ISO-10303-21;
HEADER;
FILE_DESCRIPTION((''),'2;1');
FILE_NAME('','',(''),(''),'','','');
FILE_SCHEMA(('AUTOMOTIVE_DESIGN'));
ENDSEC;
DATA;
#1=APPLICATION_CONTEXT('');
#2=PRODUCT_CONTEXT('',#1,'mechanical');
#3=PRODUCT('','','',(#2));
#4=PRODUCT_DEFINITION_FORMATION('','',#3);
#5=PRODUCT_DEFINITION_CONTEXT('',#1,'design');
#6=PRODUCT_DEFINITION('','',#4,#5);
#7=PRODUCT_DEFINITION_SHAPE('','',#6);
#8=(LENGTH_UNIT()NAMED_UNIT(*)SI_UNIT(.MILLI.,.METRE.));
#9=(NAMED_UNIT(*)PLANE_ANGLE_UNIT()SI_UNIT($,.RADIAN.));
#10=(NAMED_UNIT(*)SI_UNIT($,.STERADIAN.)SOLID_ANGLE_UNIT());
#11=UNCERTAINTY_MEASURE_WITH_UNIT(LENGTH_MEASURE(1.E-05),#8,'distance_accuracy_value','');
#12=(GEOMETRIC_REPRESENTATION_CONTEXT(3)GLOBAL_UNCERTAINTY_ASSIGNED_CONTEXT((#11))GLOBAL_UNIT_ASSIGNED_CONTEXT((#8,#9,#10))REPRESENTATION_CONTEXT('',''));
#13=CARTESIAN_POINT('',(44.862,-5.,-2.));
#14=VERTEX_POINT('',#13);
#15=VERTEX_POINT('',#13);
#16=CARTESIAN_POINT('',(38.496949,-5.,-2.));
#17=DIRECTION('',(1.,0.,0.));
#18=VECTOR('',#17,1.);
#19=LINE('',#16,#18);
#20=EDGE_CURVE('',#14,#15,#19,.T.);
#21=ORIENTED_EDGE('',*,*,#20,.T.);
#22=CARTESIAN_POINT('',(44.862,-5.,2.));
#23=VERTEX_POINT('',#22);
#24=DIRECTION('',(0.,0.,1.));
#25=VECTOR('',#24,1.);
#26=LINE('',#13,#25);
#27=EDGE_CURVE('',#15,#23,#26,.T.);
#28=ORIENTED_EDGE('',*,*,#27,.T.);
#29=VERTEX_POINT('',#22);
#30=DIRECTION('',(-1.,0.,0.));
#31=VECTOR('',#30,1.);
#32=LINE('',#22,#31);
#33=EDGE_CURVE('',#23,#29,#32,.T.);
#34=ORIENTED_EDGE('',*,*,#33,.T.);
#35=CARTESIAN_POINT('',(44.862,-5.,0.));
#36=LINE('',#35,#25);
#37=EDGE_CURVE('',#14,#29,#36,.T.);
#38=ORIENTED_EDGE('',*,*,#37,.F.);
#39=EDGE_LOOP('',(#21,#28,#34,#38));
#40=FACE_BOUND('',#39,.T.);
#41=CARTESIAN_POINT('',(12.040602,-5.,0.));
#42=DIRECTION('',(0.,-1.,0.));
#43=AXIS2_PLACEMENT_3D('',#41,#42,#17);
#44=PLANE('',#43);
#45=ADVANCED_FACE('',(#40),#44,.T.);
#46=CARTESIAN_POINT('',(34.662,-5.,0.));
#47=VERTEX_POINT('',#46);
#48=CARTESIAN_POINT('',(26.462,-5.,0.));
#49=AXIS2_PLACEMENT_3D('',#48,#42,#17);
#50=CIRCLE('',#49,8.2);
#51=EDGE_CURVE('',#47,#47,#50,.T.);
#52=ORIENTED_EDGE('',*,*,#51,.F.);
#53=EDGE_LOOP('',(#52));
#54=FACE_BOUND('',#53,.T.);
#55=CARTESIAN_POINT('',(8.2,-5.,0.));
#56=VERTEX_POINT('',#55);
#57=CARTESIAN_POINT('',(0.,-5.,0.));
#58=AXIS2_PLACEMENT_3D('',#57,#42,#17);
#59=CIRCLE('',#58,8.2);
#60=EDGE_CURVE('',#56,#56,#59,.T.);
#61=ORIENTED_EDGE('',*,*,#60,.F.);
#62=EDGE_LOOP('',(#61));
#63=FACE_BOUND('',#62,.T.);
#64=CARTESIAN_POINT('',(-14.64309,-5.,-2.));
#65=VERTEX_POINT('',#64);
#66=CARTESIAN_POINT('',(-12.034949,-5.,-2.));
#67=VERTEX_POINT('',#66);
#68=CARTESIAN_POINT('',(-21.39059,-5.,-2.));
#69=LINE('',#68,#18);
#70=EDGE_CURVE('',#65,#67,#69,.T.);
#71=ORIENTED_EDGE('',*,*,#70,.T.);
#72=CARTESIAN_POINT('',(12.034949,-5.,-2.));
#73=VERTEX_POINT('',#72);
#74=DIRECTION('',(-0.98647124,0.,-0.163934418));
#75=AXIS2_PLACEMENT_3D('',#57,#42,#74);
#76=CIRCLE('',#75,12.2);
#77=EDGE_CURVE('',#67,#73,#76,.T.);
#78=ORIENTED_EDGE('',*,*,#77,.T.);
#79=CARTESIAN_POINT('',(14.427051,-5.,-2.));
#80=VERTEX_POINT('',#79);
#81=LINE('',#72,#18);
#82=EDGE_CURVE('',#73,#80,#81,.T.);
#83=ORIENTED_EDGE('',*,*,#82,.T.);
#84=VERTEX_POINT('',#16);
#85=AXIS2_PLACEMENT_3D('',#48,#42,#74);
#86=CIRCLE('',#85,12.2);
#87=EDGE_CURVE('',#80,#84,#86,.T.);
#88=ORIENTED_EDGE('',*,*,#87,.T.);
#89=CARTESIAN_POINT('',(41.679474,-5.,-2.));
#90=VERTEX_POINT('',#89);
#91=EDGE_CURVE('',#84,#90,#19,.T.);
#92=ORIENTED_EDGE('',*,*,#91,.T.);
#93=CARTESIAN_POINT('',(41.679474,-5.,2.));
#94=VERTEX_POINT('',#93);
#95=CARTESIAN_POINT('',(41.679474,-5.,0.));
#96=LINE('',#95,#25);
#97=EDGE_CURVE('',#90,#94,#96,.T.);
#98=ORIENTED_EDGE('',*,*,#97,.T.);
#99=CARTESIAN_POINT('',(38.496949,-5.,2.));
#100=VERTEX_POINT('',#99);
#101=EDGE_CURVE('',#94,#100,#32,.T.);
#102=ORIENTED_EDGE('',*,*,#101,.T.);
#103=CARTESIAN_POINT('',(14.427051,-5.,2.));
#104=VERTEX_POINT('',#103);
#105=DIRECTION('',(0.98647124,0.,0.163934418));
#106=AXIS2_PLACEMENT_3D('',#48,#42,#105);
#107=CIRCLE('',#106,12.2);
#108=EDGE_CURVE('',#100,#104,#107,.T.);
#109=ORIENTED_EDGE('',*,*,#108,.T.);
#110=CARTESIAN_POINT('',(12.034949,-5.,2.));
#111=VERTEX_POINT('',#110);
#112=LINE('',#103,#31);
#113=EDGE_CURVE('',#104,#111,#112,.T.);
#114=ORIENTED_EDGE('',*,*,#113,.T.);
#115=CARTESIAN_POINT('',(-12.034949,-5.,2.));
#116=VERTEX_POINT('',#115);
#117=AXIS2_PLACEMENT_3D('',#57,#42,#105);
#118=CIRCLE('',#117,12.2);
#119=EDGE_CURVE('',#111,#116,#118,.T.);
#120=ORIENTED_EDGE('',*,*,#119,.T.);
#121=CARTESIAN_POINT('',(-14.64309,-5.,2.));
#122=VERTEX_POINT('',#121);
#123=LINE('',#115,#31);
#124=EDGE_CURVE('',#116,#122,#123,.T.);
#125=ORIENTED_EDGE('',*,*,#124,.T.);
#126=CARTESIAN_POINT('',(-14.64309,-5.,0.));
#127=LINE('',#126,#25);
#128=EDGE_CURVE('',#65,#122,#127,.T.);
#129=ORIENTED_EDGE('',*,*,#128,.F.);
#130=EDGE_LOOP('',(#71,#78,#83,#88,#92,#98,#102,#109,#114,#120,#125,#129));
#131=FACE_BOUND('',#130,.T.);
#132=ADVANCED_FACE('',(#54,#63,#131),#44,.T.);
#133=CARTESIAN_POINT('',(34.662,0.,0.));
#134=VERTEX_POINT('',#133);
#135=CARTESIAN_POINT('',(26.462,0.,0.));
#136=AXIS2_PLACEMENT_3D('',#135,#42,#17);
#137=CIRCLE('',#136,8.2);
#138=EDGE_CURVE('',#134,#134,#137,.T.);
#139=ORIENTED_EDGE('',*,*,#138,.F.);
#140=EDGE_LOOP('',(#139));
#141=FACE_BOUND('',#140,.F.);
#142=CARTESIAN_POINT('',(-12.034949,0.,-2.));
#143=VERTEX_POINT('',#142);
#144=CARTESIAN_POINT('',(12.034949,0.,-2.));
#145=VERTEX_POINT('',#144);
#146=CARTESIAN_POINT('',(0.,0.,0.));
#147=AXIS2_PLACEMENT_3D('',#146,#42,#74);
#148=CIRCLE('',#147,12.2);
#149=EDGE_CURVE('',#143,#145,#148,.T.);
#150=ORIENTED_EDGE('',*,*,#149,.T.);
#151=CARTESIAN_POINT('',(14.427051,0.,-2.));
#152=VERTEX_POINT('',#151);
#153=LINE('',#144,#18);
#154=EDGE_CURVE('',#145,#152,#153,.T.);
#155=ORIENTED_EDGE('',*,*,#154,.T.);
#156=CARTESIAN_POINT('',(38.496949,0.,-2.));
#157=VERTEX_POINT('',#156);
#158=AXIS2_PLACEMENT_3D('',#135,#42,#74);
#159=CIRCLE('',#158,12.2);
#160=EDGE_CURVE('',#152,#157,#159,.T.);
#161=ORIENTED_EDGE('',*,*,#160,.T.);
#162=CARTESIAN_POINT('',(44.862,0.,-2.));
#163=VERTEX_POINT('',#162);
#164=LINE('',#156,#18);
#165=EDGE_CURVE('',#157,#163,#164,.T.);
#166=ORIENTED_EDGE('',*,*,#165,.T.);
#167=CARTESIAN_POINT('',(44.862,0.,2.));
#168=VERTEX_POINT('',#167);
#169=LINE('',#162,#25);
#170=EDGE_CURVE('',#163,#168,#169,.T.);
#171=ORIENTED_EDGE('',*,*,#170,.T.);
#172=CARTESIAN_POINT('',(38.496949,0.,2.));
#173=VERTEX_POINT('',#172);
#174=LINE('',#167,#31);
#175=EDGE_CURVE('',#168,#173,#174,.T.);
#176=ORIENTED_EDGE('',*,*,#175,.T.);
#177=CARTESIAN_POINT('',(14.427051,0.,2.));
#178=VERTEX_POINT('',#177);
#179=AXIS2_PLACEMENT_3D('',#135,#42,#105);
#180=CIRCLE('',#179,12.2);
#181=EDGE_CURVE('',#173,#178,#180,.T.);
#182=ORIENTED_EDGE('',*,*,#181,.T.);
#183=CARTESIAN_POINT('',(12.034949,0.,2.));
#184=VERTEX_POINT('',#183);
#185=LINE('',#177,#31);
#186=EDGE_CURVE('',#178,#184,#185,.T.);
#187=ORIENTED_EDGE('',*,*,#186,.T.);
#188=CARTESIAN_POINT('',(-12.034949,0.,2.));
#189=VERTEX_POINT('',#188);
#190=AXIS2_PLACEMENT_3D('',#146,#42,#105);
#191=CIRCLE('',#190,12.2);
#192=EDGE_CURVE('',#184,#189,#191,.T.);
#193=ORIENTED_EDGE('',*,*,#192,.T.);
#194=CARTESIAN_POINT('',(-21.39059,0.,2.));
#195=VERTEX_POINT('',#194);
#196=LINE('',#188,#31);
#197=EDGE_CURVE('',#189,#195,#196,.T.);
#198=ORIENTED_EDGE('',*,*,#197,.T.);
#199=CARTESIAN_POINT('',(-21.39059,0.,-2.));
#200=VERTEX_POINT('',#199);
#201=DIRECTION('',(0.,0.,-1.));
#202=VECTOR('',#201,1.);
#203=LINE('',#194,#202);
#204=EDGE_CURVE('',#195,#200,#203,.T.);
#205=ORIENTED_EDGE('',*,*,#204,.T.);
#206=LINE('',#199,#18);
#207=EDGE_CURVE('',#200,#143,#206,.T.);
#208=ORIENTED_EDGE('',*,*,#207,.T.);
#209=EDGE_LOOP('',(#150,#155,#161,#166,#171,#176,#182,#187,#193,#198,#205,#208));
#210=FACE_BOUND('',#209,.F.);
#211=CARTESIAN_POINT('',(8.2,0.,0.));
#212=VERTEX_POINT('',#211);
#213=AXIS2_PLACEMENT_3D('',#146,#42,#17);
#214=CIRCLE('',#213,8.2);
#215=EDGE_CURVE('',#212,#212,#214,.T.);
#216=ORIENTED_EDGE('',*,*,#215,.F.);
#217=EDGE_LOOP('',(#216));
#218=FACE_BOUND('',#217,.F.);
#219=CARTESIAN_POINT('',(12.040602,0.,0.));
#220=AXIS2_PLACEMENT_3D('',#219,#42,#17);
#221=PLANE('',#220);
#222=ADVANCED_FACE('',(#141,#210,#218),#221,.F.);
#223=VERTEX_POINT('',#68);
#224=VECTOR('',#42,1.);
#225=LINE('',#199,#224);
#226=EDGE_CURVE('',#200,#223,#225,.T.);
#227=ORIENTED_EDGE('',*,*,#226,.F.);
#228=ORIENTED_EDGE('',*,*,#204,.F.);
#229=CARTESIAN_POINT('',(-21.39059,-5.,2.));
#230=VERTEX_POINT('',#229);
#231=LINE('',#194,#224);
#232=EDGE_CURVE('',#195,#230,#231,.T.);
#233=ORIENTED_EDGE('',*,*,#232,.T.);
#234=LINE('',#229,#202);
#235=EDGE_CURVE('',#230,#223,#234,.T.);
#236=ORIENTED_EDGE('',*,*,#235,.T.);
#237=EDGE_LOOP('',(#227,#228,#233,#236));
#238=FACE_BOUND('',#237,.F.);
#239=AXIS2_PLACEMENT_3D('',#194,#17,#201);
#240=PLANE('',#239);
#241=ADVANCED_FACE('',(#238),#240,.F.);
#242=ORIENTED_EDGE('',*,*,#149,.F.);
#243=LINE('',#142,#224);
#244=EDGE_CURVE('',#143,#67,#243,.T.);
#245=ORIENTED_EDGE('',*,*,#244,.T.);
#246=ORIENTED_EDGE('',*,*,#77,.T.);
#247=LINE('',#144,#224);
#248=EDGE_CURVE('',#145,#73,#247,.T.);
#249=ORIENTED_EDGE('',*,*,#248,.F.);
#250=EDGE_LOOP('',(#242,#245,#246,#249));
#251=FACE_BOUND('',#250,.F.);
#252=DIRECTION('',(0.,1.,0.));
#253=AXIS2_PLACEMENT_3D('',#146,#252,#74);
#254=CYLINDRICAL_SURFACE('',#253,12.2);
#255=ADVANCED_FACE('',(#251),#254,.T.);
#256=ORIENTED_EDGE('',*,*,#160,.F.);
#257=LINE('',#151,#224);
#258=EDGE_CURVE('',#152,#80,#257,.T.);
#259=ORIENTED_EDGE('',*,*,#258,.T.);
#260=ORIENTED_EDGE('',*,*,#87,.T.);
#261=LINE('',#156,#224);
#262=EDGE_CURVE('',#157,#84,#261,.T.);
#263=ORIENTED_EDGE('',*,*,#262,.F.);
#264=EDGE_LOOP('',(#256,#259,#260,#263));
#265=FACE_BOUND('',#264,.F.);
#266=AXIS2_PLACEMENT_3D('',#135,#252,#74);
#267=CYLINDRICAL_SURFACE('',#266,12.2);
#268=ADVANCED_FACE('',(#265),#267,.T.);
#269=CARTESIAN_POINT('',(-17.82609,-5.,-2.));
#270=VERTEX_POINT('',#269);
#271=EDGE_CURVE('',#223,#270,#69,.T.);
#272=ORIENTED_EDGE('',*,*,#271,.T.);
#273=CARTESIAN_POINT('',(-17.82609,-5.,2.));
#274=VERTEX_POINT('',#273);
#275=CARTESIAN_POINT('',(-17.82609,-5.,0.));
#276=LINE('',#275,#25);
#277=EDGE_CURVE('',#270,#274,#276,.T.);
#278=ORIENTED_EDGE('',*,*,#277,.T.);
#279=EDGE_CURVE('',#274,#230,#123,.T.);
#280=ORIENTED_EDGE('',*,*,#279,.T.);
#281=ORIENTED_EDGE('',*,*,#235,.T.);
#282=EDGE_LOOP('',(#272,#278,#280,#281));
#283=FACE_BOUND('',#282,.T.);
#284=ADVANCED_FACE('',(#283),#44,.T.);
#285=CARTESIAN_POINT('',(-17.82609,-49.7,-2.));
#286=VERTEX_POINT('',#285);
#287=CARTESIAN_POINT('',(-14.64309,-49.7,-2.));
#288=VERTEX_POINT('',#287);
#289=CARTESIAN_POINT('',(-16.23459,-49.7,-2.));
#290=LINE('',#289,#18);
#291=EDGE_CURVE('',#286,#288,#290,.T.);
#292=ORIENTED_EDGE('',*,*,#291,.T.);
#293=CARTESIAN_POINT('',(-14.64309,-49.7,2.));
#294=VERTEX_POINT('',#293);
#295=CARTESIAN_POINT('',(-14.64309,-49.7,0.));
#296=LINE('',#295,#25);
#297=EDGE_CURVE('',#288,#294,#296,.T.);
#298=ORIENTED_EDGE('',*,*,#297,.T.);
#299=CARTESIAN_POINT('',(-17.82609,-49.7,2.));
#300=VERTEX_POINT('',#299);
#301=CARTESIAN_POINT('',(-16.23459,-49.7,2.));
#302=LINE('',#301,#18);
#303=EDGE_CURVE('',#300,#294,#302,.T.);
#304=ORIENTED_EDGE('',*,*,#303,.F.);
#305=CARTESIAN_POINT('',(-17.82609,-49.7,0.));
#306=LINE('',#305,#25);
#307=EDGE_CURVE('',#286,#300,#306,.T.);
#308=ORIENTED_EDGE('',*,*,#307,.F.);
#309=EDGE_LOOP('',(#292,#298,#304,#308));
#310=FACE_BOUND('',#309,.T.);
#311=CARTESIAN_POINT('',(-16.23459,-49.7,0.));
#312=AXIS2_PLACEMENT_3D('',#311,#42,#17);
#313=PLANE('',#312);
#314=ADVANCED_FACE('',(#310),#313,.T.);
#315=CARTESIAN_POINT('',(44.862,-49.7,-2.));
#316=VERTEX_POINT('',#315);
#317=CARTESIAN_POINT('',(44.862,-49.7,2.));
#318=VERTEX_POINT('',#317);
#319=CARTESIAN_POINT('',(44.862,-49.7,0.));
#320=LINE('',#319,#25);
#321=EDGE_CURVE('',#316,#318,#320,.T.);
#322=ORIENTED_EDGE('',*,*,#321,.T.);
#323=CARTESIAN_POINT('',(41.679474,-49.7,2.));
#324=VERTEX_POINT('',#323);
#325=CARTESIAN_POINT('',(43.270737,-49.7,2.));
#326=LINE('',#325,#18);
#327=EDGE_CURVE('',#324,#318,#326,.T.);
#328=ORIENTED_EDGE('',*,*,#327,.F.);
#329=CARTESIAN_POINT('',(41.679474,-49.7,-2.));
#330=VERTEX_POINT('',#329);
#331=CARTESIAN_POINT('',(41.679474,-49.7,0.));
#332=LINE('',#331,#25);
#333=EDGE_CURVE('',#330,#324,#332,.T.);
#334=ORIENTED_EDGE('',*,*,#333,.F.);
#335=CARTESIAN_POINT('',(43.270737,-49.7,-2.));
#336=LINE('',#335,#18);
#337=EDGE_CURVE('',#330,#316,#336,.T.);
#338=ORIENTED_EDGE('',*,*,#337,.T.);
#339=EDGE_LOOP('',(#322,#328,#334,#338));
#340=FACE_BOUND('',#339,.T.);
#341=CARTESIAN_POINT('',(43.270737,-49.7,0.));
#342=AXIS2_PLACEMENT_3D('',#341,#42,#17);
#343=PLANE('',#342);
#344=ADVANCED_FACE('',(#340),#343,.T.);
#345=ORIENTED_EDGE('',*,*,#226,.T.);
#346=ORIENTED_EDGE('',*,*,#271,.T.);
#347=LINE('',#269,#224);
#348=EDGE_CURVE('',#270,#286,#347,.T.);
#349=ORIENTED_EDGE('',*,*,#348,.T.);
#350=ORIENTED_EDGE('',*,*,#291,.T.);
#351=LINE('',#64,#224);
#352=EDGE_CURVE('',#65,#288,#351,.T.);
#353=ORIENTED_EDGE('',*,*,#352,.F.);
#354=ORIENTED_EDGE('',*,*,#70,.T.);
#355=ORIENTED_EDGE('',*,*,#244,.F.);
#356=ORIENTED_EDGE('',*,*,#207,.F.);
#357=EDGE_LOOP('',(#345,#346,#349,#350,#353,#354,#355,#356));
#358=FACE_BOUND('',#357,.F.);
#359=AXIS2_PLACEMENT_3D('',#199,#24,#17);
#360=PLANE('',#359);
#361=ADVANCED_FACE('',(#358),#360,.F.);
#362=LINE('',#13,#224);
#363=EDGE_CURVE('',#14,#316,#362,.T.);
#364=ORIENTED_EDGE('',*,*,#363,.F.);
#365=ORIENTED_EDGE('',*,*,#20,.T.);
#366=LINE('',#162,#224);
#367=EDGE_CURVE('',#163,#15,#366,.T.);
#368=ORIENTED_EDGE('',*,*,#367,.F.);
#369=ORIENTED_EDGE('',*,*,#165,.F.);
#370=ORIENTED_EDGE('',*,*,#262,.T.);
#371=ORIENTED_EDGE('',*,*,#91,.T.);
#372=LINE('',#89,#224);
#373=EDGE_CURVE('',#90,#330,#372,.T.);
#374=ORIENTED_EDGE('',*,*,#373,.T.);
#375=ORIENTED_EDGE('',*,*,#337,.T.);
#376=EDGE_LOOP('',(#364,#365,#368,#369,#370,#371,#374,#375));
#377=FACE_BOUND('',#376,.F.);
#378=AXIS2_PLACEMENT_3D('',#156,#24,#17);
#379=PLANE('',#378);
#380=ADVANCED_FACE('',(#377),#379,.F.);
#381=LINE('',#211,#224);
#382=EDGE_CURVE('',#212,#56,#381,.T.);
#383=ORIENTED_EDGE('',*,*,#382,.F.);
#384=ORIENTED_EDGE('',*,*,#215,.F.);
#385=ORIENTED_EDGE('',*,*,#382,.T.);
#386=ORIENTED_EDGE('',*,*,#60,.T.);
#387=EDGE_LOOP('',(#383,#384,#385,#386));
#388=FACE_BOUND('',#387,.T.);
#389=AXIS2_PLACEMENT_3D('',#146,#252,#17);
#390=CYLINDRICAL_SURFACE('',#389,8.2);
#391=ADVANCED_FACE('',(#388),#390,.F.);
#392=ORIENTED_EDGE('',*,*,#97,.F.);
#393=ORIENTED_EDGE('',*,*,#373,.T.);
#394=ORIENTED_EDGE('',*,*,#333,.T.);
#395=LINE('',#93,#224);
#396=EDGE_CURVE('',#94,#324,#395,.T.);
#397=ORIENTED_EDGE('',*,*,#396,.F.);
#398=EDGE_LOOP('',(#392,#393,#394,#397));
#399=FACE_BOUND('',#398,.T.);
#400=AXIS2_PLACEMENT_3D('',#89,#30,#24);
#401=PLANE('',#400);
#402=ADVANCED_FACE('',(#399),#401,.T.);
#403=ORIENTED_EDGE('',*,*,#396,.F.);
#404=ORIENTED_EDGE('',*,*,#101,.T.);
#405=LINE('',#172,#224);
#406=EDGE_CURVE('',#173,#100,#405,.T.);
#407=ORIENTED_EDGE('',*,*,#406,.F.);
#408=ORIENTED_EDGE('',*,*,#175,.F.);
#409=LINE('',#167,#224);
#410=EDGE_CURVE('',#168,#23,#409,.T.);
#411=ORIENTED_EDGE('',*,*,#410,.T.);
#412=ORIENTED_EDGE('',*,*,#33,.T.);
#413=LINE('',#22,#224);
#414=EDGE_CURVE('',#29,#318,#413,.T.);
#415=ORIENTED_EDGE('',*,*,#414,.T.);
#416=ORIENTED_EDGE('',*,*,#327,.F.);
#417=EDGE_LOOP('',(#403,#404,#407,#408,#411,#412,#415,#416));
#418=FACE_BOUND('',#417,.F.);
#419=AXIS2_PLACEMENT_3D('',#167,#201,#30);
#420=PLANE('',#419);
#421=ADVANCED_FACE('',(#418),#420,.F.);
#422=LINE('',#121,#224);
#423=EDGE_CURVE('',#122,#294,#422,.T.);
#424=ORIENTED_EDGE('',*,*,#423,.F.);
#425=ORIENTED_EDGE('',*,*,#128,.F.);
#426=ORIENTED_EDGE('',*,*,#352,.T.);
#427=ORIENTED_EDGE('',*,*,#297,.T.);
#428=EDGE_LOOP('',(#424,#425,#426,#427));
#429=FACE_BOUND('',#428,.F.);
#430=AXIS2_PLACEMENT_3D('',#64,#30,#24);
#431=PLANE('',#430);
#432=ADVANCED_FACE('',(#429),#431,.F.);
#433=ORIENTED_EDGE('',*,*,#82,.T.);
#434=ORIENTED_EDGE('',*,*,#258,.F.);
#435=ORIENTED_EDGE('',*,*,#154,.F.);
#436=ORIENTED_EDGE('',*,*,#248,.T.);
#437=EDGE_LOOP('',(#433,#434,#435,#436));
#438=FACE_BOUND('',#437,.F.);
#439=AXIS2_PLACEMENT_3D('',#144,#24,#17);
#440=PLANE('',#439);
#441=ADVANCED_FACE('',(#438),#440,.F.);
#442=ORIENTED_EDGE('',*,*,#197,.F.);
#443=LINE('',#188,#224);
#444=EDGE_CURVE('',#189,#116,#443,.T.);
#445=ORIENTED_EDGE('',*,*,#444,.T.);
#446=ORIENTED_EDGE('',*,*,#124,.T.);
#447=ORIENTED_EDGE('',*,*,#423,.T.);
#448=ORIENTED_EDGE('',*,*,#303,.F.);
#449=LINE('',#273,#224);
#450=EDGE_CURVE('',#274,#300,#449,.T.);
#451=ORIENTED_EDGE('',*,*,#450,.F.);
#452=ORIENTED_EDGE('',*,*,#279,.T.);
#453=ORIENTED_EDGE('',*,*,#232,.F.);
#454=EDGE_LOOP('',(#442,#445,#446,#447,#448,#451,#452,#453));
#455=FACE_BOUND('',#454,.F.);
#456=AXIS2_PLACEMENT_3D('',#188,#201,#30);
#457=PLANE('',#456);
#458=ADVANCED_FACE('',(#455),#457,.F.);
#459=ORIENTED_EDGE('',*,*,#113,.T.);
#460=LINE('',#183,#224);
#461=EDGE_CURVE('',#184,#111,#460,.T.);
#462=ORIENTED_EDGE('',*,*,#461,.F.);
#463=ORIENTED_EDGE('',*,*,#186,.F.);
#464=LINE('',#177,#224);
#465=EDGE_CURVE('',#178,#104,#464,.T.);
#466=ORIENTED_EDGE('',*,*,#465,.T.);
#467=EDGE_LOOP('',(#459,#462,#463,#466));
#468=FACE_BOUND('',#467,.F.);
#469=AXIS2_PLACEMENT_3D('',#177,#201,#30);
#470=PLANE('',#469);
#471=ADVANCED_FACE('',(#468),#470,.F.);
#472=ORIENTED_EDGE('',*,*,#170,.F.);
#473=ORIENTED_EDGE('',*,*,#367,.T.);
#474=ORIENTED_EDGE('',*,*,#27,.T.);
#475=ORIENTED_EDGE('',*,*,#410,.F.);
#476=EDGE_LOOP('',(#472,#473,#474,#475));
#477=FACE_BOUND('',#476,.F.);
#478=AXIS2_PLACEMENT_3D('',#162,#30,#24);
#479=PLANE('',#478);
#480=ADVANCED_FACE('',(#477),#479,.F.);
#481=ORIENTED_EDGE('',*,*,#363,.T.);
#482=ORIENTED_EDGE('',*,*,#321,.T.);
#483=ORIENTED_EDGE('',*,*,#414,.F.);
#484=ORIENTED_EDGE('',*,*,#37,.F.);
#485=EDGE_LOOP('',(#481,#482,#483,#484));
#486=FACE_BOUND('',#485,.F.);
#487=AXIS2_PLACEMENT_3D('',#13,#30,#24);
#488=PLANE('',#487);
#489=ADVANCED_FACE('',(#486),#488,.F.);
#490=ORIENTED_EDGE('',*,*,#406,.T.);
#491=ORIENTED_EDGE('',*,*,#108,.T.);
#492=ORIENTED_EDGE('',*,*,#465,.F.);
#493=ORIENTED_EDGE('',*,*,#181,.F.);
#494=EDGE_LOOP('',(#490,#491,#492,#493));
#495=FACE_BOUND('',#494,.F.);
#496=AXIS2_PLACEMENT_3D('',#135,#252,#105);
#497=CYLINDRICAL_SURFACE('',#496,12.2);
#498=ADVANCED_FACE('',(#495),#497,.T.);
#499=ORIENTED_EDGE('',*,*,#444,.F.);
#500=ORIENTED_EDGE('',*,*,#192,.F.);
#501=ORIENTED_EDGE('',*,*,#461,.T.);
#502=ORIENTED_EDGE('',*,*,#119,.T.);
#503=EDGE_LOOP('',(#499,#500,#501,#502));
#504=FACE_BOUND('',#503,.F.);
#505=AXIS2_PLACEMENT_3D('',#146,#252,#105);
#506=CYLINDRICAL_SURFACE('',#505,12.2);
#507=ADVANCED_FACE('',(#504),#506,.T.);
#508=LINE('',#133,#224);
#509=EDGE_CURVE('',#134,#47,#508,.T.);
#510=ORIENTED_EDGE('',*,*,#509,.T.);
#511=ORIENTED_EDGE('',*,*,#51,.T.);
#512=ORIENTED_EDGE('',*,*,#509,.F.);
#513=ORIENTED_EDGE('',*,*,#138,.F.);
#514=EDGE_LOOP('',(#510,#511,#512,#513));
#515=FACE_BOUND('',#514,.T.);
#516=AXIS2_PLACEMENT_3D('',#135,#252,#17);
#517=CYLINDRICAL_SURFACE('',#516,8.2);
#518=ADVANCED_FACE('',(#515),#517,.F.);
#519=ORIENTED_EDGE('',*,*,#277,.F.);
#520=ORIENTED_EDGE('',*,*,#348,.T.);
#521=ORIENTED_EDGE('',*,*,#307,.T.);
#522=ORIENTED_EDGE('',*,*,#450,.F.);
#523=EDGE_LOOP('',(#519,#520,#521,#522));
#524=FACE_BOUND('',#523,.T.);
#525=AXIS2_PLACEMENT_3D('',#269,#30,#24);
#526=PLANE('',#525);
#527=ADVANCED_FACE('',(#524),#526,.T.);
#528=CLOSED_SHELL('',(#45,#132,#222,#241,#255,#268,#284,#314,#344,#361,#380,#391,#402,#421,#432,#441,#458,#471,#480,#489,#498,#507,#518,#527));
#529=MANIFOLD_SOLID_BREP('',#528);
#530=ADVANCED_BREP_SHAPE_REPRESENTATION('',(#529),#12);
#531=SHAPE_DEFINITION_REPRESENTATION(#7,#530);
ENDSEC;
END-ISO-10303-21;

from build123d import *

# Parameters (mm, degrees)
F0_R     = 8.2
F1_DEPTH = 5
F2_W     = 3.183
F2_H     = 4
F2_W_2   = 3.182525
F3_DEPTH = 44.7


with BuildPart() as f1:
    # F0 (on Front) → F1 (new body)
    with BuildSketch(Plane.XZ):
        with BuildLine():
            Line((-21.39059, -2), (-12.034949, -2))
            ThreePointArc((-12.034949, -2), (0, -12.2), (12.034949, -2))
            Line((12.034949, -2), (14.427051, -2))
            ThreePointArc((14.427051, -2), (26.462, -12.2), (38.496949, -2))
            Line((38.496949, -2), (44.862, -2))
            Line((44.862, -2), (44.862, 2))
            Line((44.862, 2), (38.496949, 2))
            ThreePointArc((38.496949, 2), (26.462, 12.2), (14.427051, 2))
            Line((14.427051, 2), (12.034949, 2))
            ThreePointArc((12.034949, 2), (0, 12.2), (-12.034949, 2))
            Line((-12.034949, 2), (-21.39059, 2))
            Line((-21.39059, 2), (-21.39059, -2))
        make_face()
        Circle(F0_R, mode=Mode.SUBTRACT)
        with Locations((26.462, 0)):
            Circle(F0_R, mode=Mode.SUBTRACT)
    extrude(amount=F1_DEPTH)

    # F2 (on face) → F3 (join)
    with BuildSketch(Plane.XZ.offset(5)):
        with Locations((-16.23459, 0)):
            Rectangle(F2_W, F2_H)
        with Locations((43.270737, 0)):
            Rectangle(F2_W_2, F2_H)
    extrude(amount=F3_DEPTH)


solid = f1.part
